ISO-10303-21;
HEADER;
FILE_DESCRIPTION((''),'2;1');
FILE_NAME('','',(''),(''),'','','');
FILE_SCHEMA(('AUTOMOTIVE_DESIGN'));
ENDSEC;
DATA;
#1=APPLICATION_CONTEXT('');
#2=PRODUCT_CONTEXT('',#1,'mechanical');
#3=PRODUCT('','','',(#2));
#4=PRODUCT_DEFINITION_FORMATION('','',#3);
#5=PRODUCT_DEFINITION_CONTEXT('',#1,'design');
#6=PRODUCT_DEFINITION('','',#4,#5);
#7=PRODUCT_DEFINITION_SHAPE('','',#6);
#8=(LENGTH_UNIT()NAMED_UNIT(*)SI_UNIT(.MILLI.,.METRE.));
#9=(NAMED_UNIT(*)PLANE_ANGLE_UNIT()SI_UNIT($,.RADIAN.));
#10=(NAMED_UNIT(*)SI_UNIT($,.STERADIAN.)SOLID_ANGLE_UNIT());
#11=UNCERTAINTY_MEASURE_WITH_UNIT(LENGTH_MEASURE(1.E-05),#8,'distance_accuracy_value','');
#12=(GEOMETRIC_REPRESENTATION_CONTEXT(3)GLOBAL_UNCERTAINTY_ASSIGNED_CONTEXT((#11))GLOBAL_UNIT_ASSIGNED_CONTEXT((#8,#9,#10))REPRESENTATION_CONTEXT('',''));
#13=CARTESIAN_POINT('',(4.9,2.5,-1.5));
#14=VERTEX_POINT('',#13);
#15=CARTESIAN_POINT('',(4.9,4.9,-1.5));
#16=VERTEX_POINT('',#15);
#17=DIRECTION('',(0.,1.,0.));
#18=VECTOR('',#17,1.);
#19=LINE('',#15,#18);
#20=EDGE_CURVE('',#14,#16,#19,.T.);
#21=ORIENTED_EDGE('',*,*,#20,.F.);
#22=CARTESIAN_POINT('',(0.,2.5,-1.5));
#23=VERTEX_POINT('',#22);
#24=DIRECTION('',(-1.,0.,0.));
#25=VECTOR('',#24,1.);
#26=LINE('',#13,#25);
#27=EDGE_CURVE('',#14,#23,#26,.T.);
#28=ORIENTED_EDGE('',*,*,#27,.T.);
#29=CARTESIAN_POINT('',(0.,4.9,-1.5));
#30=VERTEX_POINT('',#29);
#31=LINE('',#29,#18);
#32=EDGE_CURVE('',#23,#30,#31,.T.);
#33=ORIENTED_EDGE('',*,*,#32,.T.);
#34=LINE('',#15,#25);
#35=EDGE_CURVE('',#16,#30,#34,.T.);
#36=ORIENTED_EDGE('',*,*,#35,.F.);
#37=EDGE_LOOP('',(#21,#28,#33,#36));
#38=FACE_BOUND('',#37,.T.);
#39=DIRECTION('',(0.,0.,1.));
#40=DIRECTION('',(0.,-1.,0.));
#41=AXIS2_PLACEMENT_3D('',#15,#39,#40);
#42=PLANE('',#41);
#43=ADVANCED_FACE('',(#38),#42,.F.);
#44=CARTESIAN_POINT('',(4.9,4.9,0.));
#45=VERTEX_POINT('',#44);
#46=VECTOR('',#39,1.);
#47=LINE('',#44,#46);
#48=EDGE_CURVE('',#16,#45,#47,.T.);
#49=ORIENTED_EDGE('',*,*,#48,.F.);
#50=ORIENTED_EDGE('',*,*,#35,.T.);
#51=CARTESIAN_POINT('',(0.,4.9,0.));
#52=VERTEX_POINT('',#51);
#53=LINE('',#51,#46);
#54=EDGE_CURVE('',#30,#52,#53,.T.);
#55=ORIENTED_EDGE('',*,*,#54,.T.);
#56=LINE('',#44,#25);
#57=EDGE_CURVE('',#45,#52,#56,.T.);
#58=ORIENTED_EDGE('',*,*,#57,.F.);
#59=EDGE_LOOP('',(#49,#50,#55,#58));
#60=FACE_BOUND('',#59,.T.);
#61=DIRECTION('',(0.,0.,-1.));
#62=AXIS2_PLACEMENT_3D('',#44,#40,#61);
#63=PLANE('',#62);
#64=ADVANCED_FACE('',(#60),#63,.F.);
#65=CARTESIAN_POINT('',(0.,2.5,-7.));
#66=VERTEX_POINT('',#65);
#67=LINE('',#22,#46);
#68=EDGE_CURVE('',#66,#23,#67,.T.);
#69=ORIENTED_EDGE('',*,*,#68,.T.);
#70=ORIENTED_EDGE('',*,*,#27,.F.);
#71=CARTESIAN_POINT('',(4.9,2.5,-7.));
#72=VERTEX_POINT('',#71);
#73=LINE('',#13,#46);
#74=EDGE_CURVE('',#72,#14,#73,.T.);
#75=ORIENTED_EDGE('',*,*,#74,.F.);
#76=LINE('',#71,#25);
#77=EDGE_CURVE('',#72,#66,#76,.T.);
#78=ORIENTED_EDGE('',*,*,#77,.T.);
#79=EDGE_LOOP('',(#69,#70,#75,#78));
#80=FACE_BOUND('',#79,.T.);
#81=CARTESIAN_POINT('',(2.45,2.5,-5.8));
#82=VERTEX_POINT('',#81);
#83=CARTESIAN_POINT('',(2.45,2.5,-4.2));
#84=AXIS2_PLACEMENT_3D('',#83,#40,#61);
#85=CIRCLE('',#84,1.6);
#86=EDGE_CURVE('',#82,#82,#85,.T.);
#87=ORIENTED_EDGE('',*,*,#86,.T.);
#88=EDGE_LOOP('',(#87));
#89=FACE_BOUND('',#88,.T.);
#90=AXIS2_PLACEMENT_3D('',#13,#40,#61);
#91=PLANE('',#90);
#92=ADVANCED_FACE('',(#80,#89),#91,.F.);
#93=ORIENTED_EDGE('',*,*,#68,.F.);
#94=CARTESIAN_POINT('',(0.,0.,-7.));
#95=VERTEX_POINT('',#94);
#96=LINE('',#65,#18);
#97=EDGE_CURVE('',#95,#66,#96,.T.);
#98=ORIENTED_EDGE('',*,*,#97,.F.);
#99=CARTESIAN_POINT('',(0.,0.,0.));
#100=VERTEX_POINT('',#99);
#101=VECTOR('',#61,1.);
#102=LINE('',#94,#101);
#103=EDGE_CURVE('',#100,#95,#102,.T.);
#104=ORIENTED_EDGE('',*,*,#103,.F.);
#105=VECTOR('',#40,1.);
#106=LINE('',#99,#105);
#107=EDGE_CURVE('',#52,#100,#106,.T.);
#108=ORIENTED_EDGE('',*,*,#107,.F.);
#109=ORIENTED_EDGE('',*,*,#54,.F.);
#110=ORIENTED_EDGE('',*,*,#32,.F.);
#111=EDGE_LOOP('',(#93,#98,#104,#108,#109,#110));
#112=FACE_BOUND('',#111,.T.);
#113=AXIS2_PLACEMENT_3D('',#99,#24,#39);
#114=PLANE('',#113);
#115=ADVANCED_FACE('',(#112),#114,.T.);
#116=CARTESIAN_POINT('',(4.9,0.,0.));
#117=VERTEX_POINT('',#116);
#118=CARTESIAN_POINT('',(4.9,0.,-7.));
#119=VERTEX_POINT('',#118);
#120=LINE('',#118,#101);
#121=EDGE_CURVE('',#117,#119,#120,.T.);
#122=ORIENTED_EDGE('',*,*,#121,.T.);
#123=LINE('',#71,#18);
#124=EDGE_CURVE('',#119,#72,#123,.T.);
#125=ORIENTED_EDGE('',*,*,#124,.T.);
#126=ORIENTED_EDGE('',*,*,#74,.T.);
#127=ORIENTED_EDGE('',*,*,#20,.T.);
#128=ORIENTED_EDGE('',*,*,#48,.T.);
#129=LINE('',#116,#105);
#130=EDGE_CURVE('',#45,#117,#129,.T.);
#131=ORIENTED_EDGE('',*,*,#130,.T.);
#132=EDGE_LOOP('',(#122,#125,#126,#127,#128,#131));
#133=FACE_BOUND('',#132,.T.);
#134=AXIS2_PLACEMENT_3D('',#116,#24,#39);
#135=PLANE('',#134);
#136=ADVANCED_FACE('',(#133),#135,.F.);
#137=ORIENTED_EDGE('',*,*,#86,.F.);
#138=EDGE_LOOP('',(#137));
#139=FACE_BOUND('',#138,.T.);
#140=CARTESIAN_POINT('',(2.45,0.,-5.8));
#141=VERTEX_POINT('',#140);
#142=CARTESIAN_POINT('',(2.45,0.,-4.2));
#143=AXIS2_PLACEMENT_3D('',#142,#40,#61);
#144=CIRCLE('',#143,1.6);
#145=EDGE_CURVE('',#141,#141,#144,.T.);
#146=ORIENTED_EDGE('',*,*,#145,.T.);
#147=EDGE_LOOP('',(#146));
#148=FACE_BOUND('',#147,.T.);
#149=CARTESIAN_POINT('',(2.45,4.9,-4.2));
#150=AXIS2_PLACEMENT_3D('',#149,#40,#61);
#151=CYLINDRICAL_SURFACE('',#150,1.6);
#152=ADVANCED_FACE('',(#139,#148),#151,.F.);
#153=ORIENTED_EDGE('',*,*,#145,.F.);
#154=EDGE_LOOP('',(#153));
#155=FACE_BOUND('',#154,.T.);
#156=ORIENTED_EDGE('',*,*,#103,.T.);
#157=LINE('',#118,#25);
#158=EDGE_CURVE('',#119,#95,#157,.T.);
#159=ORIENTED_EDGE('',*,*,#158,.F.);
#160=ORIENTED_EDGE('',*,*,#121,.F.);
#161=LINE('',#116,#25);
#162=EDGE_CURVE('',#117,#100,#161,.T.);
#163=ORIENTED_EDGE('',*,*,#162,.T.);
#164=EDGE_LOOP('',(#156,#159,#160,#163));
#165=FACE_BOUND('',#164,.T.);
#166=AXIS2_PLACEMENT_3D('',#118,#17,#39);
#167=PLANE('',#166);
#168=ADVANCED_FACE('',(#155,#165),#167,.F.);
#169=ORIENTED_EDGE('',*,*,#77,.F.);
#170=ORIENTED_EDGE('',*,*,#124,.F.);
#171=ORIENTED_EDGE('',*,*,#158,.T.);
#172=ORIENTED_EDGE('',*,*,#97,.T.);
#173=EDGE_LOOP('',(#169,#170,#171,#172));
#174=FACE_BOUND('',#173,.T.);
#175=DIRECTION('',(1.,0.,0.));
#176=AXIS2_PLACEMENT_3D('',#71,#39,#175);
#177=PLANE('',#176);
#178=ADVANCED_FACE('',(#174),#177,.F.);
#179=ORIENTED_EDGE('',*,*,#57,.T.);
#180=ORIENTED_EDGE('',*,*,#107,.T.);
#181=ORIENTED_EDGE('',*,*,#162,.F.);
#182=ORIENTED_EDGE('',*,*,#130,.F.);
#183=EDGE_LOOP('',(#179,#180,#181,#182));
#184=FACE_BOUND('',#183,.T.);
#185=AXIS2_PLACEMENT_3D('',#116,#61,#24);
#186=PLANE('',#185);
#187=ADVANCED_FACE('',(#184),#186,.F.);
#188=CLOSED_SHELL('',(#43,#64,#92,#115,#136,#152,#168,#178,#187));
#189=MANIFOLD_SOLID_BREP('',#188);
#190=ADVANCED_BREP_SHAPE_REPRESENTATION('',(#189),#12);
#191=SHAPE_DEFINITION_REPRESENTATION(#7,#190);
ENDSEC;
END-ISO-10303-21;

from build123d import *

# Parameters (mm, degrees)
BOSS_EXTRUDE1_DEPTH = 4.9
SKETCH2_R           = 1.6
CUT_EXTRUDE1_DEPTH  = 5.9


with BuildPart() as part:
    # Sketch1 → Boss-Extrude1 (new body)
    with BuildSketch(Plane(origin=(0, 0, 0), x_dir=(0, 0, -1), z_dir=(1, 0, 0))):
        Polygon((0, 0), (0, 4.9), (1.5, 4.9), (1.5, 2.5), (7, 2.5), (7, 0), align=None)
    extrude(amount=BOSS_EXTRUDE1_DEPTH)

    # Sketch2 → Cut-Extrude1 (cut, through all)
    with BuildSketch(Plane.XZ):
        with Locations((2.45, -4.2)):
            Circle(SKETCH2_R)
    extrude(amount=-CUT_EXTRUDE1_DEPTH, mode=Mode.SUBTRACT)


solid = part.part
